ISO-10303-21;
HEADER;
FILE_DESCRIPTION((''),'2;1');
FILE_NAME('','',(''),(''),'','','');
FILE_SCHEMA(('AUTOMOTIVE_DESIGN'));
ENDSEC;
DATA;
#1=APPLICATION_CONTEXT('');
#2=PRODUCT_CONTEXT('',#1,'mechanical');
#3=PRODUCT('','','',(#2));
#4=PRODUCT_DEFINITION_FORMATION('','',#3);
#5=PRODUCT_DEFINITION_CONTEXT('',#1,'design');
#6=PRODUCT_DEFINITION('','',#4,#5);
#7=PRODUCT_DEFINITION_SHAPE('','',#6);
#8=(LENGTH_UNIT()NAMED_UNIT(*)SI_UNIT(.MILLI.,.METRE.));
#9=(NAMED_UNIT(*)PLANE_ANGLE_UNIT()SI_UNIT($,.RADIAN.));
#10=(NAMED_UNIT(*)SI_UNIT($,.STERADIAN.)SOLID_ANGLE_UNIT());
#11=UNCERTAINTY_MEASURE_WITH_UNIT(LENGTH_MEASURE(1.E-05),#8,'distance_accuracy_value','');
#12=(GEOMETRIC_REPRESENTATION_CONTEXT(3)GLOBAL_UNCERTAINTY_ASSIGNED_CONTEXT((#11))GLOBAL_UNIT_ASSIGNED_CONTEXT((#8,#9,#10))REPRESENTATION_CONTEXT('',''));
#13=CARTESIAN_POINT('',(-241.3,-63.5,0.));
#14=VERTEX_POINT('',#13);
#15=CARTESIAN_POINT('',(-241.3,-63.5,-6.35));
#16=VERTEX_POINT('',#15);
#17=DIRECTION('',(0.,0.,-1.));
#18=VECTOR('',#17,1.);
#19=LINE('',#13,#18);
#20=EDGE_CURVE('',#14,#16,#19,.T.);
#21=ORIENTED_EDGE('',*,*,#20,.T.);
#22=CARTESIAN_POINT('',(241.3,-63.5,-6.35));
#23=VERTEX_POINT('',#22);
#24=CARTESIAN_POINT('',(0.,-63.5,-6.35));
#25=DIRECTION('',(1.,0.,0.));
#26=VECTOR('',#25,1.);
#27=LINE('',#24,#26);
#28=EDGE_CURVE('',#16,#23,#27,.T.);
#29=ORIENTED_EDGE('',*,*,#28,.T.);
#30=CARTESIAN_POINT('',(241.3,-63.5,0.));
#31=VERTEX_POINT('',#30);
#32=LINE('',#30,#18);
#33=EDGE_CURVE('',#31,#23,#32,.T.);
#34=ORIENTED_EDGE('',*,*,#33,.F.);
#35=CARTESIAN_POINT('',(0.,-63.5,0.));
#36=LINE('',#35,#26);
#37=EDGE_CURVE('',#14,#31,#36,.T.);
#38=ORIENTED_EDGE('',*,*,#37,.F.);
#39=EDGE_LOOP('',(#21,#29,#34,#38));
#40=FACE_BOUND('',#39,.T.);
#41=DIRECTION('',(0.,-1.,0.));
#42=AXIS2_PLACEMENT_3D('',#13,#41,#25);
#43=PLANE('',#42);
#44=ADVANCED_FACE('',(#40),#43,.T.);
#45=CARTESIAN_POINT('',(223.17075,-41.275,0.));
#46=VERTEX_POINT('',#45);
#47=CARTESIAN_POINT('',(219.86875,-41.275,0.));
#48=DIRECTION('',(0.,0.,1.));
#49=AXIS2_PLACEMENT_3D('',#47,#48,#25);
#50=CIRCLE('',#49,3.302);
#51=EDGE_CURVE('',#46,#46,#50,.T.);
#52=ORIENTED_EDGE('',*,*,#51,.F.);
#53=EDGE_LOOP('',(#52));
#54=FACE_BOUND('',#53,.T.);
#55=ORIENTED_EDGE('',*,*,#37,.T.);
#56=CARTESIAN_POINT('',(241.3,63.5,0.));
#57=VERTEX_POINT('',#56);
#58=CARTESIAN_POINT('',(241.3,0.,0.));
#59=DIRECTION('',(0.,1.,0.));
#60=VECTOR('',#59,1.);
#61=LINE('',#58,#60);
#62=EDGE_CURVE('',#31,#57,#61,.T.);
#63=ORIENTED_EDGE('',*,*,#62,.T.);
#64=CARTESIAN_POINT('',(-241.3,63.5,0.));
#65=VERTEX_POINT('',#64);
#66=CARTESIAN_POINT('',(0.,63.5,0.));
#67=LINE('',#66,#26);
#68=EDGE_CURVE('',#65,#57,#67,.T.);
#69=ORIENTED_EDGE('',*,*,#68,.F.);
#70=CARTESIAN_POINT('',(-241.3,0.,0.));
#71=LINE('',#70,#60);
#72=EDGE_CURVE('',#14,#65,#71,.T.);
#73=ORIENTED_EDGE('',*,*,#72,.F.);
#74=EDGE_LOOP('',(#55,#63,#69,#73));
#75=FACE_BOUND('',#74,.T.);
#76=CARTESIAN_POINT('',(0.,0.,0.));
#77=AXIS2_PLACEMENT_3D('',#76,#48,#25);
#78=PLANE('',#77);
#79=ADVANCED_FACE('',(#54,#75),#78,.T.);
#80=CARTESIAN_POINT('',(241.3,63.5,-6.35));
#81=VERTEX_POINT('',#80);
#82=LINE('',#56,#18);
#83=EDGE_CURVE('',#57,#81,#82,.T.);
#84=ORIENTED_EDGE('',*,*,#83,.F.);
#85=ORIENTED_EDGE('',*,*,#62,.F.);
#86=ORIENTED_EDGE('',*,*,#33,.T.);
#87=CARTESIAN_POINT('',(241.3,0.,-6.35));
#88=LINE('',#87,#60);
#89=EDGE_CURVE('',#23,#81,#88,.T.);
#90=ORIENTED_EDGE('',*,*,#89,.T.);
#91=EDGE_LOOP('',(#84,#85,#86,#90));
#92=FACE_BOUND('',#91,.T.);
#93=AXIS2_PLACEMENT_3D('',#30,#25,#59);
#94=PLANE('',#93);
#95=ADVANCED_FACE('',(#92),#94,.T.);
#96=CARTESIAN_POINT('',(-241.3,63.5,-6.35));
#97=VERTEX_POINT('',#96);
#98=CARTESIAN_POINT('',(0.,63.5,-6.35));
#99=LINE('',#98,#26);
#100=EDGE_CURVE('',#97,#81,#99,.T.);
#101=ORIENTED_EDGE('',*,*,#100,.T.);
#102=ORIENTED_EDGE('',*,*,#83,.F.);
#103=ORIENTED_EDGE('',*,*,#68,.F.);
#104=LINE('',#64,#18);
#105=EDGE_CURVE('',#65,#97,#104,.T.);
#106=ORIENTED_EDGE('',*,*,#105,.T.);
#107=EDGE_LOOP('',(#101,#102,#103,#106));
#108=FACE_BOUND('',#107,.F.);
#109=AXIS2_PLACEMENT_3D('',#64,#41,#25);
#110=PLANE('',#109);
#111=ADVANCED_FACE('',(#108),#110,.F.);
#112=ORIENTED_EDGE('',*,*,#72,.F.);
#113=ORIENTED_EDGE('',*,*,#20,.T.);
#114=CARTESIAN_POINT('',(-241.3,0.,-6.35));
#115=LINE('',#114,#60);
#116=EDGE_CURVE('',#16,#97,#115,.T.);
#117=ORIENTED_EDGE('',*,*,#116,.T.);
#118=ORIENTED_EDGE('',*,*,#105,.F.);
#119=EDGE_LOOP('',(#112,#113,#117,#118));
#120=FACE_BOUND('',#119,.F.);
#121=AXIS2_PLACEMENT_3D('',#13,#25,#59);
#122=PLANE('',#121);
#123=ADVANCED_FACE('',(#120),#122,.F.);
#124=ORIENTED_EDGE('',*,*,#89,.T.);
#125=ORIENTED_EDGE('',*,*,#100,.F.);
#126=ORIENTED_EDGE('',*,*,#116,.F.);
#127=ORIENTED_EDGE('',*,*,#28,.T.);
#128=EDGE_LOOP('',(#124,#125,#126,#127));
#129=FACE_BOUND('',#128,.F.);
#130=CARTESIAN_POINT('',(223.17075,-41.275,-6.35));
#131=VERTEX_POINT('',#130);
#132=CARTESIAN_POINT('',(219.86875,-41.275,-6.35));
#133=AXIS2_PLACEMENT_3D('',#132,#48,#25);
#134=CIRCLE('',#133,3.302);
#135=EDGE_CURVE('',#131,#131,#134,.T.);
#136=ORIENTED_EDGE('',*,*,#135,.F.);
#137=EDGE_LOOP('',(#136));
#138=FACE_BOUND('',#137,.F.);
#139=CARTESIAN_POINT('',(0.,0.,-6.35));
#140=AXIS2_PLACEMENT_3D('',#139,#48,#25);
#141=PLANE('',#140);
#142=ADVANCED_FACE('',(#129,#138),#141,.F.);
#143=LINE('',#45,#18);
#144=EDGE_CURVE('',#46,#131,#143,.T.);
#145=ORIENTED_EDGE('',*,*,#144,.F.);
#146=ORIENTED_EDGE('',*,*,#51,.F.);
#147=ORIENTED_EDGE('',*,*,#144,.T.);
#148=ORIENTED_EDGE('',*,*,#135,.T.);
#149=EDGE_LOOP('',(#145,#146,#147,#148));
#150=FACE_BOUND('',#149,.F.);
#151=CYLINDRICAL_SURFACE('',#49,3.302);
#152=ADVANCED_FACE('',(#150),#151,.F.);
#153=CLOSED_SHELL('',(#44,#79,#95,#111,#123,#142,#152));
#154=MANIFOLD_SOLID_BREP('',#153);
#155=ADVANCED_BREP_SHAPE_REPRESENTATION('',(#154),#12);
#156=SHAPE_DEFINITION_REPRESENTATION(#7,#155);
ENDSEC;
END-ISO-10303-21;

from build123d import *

# Parameters (mm, degrees)
F0_W     = 482.6
F0_H     = 127
F1_DEPTH = 6.35
F2_R     = 3.302
F3_DEPTH = 6.35


with BuildPart() as f1:
    # F0 (on Top) → F1 (new body)
    with BuildSketch(Plane.XY):
        Rectangle(F0_W, F0_H)
    extrude(amount=-F1_DEPTH)

    # F2 (on face) → F3 (cut)
    with BuildSketch(Plane.XY):
        with Locations((219.86875, -41.275)):
            Circle(F2_R)
    extrude(amount=-F3_DEPTH, mode=Mode.SUBTRACT)


solid = f1.part
